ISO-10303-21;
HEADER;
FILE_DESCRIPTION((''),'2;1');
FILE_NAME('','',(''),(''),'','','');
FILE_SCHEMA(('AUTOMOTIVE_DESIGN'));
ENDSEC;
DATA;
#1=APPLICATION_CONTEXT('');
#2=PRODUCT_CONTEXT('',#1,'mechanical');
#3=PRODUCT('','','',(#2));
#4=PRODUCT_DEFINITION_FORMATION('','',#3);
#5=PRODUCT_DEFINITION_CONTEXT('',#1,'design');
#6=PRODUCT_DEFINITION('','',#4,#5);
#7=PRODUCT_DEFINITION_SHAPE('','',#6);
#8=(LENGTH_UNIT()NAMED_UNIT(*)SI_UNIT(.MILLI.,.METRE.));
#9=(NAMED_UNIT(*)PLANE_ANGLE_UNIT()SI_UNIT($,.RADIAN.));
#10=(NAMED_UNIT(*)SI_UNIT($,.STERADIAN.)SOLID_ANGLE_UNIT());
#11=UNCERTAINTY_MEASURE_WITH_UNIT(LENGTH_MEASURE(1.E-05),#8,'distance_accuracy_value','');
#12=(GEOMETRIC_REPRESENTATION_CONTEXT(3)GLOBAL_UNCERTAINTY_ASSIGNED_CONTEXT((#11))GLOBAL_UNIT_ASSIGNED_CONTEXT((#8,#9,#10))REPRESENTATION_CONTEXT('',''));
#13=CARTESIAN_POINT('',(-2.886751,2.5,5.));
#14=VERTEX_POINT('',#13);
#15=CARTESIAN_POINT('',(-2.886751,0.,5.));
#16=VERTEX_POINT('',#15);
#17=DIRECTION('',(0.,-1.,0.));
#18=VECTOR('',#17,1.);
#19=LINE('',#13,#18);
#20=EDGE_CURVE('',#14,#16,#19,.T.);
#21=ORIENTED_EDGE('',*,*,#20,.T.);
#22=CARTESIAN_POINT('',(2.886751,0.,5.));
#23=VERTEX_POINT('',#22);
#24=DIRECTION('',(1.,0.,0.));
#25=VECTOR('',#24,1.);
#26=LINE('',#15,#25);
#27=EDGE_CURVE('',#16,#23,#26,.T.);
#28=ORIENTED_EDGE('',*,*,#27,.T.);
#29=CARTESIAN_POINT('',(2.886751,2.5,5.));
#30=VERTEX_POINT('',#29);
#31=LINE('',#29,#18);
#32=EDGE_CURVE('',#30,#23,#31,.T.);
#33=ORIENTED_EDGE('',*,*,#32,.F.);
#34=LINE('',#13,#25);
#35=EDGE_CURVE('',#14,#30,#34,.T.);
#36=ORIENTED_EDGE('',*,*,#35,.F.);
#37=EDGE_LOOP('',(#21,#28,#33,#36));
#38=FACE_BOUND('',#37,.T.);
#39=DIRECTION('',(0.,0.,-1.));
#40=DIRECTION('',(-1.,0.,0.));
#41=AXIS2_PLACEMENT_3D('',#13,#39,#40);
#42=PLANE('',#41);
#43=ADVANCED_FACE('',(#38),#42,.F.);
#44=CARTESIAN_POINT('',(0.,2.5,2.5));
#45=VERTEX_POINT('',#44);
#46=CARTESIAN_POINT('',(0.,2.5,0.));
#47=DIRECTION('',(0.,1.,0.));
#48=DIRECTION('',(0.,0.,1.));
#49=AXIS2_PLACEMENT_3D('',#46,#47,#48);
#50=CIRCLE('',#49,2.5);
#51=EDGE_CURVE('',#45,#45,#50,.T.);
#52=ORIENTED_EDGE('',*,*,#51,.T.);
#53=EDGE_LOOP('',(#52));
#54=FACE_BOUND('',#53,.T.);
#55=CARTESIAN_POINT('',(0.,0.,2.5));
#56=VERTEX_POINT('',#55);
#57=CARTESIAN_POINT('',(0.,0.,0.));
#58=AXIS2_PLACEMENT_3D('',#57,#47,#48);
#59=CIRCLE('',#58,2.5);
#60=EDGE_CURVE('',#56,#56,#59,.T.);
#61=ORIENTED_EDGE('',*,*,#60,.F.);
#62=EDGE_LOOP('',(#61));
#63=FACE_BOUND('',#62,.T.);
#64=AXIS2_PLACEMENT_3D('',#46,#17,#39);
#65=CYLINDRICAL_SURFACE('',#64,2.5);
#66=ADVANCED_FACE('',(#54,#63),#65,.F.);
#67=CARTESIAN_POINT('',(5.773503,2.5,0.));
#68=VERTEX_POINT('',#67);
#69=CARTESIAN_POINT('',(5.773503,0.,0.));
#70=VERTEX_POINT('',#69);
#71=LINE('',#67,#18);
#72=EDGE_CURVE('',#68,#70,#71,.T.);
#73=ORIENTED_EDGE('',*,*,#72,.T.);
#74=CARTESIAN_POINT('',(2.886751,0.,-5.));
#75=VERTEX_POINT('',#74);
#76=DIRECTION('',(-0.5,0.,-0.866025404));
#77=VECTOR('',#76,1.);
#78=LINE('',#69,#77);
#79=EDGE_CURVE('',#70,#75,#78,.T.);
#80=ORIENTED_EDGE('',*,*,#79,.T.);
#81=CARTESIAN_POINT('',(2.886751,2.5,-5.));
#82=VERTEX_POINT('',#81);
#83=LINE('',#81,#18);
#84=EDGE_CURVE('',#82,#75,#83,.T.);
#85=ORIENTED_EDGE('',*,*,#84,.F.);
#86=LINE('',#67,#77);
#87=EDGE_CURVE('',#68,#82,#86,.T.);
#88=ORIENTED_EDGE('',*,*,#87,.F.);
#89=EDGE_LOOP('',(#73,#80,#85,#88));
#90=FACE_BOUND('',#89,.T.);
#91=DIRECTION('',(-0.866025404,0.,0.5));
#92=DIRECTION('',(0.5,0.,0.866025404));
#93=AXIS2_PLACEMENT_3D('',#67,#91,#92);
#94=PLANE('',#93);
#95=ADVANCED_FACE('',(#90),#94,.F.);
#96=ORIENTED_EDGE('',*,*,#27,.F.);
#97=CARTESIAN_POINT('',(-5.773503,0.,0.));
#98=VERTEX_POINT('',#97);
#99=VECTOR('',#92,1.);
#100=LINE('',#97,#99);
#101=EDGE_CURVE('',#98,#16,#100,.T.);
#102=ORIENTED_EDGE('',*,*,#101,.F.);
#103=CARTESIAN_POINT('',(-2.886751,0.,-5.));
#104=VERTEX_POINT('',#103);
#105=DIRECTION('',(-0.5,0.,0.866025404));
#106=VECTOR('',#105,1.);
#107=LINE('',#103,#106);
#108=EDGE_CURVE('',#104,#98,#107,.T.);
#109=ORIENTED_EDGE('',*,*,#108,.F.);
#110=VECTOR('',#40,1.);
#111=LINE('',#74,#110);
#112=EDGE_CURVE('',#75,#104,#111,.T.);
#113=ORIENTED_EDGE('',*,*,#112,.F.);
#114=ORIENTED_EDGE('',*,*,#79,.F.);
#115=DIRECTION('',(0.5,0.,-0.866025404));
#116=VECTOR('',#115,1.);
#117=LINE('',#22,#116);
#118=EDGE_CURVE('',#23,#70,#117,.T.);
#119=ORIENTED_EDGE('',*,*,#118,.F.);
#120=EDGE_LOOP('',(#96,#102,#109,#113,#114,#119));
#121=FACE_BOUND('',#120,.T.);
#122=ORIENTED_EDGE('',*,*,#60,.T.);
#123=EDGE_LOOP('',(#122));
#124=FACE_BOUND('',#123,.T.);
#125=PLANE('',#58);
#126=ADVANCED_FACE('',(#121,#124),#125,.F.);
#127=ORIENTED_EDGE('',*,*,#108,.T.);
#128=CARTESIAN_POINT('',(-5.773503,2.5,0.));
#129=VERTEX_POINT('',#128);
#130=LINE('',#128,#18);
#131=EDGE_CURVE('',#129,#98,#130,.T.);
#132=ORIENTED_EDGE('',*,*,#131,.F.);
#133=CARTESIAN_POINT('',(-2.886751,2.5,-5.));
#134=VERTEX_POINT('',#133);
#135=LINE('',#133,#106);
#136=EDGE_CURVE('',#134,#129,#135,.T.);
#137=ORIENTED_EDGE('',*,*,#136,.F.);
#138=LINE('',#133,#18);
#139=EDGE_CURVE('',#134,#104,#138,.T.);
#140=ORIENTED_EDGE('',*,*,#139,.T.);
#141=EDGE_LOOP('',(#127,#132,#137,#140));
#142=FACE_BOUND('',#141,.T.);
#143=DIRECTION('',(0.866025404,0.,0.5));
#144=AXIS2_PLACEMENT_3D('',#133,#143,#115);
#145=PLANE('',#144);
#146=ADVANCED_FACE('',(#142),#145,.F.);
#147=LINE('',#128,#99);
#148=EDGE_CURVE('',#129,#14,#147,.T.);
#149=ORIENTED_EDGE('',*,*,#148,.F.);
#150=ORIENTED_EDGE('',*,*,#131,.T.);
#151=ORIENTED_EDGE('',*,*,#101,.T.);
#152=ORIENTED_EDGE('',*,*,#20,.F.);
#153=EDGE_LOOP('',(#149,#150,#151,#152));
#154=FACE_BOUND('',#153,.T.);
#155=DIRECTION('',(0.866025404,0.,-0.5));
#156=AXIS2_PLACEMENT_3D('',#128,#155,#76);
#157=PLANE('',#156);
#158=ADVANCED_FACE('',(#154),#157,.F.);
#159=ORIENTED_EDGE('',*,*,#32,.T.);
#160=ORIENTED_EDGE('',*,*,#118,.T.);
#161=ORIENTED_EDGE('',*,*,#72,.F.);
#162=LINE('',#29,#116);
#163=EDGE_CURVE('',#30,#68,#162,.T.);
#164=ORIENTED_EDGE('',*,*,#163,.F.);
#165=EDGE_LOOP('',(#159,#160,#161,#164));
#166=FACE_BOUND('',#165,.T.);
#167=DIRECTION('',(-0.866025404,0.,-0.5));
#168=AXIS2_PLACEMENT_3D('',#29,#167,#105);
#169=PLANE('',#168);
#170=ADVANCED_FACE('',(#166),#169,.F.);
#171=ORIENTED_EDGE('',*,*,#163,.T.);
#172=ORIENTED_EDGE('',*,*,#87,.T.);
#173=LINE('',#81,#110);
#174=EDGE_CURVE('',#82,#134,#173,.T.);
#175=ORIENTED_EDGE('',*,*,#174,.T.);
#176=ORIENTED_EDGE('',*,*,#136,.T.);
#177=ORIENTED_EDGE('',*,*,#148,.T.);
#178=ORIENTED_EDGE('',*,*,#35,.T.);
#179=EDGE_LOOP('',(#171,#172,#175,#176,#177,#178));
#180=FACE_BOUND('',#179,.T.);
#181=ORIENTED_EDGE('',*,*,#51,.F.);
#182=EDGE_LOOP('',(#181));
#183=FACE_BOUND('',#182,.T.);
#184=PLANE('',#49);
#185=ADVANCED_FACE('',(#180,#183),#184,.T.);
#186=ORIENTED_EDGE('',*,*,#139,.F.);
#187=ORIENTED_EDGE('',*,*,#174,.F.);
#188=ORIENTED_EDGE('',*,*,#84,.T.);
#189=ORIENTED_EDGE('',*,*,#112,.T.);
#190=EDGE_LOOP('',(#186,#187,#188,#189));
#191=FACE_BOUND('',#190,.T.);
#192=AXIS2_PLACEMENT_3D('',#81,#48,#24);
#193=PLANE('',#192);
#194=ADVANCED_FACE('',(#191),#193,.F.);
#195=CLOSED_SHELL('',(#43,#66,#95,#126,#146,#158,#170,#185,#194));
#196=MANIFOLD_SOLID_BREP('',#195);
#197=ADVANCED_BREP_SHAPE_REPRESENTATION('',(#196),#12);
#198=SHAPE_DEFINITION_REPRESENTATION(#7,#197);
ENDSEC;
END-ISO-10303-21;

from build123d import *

# Parameters (mm, degrees)
SKETCH_1_R      = 2.5
EXTRUDE_1_DEPTH = 2.5


with BuildPart() as part:
    # Эскиз1 → Бобышка-Вытянуть1 (new body)
    with BuildSketch(Plane(origin=(0, 0, 0), x_dir=(1, 0, 0), z_dir=(0, 1, 0))):
        Polygon((-5.773502692, 0), (-2.886751346, -5), (2.886751346, -5), (5.773502692, 0), (2.886751346, 5), (-2.886751346, 5), align=None)
        Circle(SKETCH_1_R, mode=Mode.SUBTRACT)
    extrude(amount=EXTRUDE_1_DEPTH)


solid = part.part
